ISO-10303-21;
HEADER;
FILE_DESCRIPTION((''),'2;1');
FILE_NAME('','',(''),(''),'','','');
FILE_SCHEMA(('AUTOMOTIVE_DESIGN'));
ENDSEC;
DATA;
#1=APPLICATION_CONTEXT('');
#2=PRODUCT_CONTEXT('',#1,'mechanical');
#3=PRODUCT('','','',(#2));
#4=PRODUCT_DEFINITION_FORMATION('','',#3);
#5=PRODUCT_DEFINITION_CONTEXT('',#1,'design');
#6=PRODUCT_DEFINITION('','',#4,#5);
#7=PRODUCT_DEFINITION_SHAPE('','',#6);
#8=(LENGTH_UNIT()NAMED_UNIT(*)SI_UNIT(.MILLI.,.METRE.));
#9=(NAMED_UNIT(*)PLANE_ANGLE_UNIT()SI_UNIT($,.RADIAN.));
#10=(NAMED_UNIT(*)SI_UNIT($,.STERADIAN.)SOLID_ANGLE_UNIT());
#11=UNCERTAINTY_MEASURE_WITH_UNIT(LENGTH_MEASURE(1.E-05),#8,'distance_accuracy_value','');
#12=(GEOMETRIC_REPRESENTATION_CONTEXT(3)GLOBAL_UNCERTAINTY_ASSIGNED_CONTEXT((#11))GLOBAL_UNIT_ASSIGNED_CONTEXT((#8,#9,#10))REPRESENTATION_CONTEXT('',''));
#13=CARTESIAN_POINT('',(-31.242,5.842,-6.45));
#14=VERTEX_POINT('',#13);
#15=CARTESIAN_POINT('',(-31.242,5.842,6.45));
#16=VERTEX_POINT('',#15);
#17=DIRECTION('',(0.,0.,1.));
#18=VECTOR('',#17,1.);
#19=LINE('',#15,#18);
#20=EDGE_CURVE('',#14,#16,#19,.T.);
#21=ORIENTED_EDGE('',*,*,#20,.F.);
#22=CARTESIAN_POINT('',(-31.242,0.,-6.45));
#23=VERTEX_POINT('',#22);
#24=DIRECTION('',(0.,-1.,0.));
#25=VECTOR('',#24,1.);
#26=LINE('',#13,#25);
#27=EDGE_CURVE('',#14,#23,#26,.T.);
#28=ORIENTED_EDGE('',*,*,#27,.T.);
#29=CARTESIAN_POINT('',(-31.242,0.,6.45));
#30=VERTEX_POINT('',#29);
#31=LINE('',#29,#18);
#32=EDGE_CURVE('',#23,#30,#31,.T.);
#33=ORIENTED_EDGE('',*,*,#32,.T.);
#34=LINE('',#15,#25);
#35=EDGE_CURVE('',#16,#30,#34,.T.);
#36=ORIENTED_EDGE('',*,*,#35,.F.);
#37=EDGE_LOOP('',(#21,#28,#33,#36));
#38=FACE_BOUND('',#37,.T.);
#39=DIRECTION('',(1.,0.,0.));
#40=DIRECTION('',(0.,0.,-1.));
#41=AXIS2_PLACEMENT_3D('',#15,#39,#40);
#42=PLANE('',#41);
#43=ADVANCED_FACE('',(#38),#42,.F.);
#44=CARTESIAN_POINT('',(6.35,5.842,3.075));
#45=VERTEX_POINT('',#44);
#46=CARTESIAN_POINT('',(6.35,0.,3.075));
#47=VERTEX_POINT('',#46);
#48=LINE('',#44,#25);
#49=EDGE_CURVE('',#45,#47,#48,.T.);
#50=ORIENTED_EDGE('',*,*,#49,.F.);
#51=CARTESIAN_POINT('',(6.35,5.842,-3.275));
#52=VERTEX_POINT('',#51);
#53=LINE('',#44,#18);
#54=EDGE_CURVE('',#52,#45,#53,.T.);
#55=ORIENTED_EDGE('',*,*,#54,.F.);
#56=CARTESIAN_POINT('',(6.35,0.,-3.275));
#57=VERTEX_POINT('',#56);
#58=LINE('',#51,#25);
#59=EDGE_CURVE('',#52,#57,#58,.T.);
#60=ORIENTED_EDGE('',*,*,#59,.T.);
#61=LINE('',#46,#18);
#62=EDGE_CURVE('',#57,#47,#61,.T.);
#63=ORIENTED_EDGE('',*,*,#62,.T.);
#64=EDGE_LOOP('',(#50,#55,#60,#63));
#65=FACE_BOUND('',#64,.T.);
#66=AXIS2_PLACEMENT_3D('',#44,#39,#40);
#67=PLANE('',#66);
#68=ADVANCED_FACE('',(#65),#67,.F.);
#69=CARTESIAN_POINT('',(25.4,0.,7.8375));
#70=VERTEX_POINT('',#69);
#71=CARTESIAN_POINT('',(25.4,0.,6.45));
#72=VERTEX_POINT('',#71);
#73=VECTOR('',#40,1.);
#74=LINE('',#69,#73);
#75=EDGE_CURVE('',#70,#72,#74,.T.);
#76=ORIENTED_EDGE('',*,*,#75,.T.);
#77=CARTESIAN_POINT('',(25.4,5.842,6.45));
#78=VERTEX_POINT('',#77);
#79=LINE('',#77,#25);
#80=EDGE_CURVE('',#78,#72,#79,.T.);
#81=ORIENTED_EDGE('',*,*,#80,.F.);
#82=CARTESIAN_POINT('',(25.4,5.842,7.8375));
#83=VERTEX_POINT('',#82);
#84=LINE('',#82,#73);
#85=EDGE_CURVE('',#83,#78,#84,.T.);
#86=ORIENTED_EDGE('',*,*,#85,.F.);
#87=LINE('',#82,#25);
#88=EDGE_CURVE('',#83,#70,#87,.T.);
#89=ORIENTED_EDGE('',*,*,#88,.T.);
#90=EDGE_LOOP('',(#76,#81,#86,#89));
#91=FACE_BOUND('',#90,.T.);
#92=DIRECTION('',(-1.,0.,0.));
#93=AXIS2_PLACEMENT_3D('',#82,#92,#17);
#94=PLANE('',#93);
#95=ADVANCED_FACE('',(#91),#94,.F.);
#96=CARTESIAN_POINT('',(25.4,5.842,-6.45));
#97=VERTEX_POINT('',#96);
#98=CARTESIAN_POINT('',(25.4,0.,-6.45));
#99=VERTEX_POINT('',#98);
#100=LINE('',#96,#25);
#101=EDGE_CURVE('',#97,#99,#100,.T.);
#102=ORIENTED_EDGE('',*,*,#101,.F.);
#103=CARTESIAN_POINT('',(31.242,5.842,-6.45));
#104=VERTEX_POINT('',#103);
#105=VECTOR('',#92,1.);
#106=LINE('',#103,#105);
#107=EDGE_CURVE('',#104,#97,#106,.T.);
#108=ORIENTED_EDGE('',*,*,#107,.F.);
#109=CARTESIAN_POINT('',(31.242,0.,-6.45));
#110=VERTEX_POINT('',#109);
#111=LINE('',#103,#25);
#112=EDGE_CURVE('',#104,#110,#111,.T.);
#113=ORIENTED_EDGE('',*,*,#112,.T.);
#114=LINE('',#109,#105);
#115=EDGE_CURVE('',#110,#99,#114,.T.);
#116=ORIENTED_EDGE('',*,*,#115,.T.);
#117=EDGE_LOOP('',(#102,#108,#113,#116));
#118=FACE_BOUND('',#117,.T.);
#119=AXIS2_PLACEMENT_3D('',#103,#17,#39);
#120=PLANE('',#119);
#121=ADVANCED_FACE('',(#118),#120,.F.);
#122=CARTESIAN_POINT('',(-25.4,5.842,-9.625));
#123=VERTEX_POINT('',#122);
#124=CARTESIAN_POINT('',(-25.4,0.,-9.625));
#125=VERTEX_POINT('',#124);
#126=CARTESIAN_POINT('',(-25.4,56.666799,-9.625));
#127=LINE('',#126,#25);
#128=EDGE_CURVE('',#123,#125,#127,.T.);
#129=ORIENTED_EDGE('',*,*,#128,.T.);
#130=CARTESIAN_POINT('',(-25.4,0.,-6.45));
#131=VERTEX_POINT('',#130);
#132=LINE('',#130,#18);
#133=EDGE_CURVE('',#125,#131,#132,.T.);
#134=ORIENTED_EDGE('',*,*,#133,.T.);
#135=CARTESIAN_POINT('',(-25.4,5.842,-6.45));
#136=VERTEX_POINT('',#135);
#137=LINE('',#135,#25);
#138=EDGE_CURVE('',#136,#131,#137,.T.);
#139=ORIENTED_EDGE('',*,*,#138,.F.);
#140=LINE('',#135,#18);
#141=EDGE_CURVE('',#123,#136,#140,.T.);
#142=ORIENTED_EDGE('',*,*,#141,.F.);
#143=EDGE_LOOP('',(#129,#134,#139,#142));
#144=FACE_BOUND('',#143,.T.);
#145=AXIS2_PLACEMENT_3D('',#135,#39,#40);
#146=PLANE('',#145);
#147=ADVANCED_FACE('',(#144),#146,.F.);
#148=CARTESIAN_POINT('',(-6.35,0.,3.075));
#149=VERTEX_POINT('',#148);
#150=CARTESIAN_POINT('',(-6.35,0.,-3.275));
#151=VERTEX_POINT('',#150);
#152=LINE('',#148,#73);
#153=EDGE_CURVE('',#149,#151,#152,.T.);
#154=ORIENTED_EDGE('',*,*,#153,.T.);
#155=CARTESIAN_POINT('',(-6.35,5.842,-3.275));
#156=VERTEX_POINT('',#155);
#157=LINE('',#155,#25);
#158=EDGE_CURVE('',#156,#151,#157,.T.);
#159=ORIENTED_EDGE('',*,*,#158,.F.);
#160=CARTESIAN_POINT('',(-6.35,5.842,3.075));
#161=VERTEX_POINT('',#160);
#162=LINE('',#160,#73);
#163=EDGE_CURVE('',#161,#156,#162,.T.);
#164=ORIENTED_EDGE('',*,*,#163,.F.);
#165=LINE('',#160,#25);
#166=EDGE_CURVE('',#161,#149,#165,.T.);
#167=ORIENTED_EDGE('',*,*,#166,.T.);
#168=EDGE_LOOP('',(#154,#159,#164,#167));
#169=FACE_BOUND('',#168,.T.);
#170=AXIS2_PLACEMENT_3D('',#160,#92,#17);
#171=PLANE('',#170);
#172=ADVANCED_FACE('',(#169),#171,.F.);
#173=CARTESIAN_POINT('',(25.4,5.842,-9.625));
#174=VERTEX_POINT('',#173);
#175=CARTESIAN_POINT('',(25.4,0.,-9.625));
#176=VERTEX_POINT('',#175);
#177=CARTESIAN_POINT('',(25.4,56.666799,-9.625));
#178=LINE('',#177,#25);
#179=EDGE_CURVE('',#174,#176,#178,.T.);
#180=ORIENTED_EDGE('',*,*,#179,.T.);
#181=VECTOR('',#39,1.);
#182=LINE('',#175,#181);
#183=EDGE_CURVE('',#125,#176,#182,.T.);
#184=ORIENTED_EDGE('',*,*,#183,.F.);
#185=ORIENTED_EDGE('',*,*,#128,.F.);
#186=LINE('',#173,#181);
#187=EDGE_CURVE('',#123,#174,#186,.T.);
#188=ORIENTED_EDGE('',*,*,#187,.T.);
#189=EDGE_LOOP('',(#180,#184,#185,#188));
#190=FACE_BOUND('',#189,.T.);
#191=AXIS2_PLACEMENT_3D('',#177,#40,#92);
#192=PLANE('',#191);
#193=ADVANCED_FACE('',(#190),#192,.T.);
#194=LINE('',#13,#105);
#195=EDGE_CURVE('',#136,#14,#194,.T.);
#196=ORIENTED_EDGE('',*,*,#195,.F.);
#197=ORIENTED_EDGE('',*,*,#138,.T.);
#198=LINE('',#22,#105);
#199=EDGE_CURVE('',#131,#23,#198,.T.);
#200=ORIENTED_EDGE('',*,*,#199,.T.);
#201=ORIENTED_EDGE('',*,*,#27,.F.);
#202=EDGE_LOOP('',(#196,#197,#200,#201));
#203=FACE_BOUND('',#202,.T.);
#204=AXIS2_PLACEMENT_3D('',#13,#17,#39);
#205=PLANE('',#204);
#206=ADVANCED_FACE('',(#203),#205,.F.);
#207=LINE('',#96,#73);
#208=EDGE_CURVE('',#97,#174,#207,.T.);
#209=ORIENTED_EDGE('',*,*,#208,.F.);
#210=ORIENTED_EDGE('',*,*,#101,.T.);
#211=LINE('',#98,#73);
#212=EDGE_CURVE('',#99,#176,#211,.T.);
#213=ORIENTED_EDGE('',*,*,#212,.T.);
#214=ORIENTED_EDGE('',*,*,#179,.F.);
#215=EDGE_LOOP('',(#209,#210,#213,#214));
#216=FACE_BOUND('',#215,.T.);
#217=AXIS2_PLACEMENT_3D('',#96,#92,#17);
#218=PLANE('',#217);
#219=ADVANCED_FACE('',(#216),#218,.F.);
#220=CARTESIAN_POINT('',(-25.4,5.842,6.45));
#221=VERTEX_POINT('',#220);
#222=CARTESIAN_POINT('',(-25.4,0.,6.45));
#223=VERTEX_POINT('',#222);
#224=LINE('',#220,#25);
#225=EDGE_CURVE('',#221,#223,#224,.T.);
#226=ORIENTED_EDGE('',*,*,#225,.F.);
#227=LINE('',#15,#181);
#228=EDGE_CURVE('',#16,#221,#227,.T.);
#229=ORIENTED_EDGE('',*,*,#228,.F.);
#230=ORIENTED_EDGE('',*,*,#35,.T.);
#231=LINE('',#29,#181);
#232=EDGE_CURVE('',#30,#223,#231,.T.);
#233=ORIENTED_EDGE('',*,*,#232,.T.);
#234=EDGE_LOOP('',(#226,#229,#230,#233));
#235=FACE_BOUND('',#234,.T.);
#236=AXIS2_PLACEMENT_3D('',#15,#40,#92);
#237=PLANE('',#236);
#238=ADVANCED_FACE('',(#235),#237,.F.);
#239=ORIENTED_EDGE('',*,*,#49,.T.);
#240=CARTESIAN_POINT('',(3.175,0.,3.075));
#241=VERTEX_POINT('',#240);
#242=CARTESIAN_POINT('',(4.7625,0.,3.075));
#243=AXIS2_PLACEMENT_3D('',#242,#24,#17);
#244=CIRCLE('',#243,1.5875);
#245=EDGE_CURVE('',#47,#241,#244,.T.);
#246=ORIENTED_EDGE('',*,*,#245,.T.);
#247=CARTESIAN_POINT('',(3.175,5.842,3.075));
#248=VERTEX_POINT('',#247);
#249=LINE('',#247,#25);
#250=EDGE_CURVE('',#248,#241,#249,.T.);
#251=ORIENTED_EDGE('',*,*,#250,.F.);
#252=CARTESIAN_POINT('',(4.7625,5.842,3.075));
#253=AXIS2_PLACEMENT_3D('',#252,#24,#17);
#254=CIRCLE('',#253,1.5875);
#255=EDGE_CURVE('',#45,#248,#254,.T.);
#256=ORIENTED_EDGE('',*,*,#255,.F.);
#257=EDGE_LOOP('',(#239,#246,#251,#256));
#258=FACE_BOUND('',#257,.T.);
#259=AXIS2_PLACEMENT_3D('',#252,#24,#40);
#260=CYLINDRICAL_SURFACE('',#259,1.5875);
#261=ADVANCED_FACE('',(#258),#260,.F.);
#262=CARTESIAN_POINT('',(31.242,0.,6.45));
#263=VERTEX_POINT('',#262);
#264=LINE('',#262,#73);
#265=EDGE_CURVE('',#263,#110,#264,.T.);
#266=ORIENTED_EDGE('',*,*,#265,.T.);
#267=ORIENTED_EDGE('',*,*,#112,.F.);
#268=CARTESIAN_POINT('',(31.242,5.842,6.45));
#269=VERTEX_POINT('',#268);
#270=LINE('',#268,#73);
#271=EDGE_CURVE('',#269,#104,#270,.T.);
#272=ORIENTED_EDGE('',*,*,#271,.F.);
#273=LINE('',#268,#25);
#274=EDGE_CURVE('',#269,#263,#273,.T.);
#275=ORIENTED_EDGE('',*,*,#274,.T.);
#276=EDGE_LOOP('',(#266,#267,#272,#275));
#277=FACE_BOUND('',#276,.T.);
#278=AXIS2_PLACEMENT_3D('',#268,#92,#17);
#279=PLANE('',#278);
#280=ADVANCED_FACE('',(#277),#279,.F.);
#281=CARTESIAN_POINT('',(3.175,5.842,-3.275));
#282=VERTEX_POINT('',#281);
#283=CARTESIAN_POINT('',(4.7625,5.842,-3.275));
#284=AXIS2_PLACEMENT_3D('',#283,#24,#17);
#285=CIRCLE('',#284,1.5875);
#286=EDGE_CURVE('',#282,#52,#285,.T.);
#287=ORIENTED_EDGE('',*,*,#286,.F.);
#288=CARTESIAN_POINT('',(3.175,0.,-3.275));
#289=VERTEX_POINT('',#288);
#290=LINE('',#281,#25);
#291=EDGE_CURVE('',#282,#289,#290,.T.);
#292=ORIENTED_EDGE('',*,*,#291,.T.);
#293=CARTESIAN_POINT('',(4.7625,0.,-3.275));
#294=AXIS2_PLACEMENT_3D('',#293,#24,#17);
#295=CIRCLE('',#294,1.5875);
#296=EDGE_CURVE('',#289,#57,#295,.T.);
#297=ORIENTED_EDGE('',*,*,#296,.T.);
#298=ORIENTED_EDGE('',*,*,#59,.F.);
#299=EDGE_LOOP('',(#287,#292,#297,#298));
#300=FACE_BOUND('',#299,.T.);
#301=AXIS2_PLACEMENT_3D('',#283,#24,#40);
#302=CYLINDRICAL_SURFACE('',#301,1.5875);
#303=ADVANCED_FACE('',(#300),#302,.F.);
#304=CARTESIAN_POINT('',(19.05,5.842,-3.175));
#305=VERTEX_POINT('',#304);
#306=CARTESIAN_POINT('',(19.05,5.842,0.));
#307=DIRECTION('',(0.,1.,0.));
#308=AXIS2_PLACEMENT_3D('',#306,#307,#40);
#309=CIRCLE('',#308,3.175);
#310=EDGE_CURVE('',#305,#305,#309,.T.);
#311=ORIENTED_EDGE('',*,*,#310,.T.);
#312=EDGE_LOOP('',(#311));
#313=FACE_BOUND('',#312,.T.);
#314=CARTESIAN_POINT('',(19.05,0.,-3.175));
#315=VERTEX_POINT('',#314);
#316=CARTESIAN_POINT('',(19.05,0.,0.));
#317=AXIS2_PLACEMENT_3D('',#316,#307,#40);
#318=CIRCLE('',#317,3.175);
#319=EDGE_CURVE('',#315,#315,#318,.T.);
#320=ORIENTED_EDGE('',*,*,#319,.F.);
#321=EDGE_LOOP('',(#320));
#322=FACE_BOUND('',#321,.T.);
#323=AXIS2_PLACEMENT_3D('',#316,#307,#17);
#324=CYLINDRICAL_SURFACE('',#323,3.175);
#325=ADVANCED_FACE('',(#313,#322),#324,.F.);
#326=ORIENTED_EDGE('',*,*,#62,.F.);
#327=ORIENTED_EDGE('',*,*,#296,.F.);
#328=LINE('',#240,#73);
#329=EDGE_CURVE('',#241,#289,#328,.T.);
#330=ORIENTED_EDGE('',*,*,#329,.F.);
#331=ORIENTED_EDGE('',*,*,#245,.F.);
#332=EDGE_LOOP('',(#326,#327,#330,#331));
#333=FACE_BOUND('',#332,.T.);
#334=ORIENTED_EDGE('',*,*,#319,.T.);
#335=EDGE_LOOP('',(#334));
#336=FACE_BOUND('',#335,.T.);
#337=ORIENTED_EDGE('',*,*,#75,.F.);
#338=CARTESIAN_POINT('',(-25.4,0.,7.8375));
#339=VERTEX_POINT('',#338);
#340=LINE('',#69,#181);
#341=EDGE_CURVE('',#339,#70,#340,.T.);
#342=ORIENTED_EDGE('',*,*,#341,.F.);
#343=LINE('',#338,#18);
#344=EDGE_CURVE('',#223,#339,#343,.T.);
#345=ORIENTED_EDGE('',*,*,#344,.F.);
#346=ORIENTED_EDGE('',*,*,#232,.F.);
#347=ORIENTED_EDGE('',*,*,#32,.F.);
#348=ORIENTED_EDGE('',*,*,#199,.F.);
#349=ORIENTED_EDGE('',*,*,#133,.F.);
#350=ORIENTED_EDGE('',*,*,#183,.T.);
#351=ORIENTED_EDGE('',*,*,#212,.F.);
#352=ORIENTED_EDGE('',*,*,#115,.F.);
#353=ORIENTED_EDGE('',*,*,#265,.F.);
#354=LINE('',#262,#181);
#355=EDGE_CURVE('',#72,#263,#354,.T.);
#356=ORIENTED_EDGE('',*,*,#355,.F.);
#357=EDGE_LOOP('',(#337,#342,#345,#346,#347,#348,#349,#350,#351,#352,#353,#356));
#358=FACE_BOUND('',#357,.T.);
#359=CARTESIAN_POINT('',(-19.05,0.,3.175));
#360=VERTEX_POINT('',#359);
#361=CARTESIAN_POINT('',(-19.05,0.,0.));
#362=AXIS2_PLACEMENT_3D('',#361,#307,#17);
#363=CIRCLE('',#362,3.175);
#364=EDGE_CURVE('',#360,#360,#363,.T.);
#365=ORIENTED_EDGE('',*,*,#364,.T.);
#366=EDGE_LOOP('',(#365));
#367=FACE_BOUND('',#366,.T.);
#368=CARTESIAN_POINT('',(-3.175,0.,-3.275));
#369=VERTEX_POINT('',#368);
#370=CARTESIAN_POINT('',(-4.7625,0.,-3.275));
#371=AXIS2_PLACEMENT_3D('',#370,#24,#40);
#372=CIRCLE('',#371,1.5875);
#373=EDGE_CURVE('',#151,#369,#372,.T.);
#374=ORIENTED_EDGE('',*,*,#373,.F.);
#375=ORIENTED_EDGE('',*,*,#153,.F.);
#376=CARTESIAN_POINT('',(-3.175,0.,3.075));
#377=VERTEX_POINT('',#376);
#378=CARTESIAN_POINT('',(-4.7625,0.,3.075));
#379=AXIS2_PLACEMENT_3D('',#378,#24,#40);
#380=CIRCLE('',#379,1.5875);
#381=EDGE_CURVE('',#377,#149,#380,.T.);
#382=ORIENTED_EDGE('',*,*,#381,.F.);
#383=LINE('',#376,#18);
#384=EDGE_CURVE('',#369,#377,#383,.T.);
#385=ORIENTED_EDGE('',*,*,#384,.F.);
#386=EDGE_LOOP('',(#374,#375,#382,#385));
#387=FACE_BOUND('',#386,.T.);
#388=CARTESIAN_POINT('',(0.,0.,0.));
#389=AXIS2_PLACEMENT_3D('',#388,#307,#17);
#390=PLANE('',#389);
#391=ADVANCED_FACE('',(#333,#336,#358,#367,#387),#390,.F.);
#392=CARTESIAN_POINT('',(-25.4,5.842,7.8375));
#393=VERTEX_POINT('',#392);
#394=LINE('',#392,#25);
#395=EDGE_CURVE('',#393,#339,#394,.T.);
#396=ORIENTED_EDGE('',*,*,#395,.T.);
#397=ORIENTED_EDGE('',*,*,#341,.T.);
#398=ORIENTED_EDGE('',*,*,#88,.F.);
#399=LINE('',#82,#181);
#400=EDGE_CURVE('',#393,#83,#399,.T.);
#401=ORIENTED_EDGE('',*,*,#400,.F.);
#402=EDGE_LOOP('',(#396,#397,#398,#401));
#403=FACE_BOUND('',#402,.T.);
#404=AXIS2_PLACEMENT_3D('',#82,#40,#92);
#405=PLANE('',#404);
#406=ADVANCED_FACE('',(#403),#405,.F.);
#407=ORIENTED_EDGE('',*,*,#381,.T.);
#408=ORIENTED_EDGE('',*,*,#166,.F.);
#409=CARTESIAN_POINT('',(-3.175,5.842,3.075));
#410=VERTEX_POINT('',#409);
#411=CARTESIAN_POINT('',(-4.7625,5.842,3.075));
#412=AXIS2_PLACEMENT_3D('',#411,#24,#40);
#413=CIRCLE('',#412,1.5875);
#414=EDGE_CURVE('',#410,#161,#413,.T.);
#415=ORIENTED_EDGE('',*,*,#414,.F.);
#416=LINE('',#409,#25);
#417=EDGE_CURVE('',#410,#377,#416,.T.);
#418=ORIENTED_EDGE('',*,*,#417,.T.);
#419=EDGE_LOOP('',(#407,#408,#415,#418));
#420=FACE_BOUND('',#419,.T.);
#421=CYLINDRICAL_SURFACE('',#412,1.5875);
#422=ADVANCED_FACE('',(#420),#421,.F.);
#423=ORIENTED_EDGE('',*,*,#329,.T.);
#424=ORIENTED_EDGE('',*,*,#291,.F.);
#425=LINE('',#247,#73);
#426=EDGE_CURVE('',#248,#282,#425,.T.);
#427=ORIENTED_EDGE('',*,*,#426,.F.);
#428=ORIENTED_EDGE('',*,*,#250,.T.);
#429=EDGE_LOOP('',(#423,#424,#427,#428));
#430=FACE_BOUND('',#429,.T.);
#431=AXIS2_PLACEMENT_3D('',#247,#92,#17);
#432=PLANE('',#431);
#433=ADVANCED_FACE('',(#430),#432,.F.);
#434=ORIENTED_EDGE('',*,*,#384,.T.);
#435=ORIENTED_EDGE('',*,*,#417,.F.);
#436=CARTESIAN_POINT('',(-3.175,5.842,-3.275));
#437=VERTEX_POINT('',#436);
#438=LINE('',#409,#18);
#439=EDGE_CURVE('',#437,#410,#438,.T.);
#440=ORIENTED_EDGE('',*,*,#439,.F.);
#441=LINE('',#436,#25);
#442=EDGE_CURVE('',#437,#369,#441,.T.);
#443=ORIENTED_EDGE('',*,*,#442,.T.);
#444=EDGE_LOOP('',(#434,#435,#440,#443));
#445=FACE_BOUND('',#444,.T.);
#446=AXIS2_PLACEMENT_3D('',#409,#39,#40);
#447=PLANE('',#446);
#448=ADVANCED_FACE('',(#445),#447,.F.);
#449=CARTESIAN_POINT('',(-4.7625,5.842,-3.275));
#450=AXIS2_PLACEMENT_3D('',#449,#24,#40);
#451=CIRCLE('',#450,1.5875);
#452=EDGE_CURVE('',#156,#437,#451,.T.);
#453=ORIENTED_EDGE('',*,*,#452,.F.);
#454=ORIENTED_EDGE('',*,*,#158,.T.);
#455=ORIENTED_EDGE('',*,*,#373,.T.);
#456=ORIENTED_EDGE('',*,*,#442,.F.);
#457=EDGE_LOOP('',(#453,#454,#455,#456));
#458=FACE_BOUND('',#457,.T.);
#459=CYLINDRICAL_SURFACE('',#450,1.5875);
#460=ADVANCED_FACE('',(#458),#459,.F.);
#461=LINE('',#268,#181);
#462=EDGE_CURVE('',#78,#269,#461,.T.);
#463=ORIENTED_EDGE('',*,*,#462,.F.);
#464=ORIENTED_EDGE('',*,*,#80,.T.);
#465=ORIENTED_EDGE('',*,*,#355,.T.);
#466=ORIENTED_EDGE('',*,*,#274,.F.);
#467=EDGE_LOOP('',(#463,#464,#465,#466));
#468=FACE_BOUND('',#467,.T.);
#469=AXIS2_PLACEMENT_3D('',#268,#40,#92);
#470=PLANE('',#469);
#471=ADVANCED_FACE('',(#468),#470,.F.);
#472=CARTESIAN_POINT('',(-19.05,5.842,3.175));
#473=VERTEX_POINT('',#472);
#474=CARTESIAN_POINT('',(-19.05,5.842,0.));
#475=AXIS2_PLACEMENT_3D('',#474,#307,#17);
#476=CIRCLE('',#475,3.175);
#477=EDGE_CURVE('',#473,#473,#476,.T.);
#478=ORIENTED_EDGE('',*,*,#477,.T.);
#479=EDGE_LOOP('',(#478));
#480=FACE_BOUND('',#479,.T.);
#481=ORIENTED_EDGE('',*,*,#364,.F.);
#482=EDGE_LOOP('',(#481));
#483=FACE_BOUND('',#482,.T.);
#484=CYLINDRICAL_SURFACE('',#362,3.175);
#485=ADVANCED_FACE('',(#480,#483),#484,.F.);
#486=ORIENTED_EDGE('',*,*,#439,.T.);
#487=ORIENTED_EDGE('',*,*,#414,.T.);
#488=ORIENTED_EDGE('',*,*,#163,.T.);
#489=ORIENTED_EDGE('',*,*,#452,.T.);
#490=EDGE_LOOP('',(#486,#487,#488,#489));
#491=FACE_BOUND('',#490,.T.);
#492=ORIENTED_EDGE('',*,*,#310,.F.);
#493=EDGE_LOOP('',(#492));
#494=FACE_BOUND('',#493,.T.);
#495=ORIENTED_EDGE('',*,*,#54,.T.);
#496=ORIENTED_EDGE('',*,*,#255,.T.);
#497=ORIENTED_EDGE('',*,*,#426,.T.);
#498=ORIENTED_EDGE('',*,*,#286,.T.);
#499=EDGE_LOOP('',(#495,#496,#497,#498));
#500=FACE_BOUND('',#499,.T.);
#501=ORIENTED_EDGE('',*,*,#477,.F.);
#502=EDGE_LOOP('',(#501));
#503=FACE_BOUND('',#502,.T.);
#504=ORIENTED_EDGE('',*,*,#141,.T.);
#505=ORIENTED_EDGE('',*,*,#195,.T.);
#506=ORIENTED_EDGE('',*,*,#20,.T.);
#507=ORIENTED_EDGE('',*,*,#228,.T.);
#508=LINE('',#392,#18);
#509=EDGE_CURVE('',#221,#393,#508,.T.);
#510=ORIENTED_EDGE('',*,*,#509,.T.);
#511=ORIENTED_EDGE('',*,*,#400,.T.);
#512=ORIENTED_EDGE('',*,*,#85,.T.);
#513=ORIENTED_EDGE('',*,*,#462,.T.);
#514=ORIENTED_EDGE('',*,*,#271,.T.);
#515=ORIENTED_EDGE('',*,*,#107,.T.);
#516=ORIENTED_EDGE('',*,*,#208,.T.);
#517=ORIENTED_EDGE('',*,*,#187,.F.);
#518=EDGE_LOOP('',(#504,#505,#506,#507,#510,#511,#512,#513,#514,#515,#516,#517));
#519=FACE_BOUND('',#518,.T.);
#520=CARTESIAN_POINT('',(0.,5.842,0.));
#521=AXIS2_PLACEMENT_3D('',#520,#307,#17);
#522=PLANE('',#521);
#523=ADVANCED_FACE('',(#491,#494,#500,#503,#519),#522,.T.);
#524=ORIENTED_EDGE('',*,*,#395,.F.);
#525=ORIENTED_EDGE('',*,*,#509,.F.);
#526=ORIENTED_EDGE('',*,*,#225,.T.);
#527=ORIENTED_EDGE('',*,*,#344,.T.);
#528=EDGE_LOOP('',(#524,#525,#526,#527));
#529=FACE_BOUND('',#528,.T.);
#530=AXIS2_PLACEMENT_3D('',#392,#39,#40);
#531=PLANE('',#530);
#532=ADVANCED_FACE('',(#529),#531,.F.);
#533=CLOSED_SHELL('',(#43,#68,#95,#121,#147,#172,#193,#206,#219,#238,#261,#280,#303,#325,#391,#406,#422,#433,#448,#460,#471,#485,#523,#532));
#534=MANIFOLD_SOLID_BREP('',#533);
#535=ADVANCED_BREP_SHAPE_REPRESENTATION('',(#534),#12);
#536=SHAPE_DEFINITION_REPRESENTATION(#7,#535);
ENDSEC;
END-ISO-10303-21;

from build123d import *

# Parameters (mm, degrees)
BOSS_EXTRUDE1_DEPTH = 5.842
SKETCH2_R           = 3.175
CUT_EXTRUDE1_DEPTH  = 33.78403476
CUT_EXTRUDE3_DEPTH  = 33.78403476
SKETCH5_W           = 50.8
SKETCH5_H           = 1.5875
BOSS_EXTRUDE2_DEPTH = 5.842


with BuildPart() as part:
    # Sketch1 → Boss-Extrude1 (new body)
    with BuildSketch(Plane(origin=(0, 0, 0), x_dir=(1, 0, 0), z_dir=(0, 1, 0))):
        Polygon((31.242, -6.450000054), (25.4, -6.450000054), (25.4, -7.837499946), (-25.4, -7.837499946), (-25.4, -6.450000054), (-31.242, -6.450000054), (-31.242, 6.450000054), (-25.4, 6.450000054), (-25.4, 8.037500054), (25.4, 8.037500054), (25.4, 6.450000054), (31.242, 6.450000054), align=None)
    extrude(amount=BOSS_EXTRUDE1_DEPTH)

    # Sketch2 → Cut-Extrude1 (cut, through all)
    with BuildSketch(Plane(origin=(0, 5.842, 0), x_dir=(1, 0, 0), z_dir=(0, 1, 0))):
        with Locations(Location((-19.05, 0, 0), (0, 0, 270))):
            Circle(SKETCH2_R)
        with Locations(Location((19.05, 0, 0), (0, 0, 90))):
            Circle(SKETCH2_R)
    extrude(amount=-CUT_EXTRUDE1_DEPTH, mode=Mode.SUBTRACT)

    # Sketch4 → Cut-Extrude3 (cut, through all)
    with BuildSketch(Plane(origin=(0, 0, 0), x_dir=(-1, 0, 0), z_dir=(0, -1, 0))):
        with BuildLine():
            Line((3.175, -3.074999946), (3.175, 3.275000054))
            ThreePointArc((3.175, 3.275000054), (4.7625, 4.862500054), (6.35, 3.275000054))
            Line((6.35, 3.275000054), (6.35, -3.074999946))
            ThreePointArc((6.35, -3.074999946), (4.7625, -4.662499946), (3.175, -3.074999946))
        make_face()
        with BuildLine():
            Line((-3.175, -3.074999946), (-3.175, 3.275000054))
            ThreePointArc((-3.175, 3.275000054), (-4.7625, 4.862500054), (-6.35, 3.275000054))
            Line((-6.35, 3.275000054), (-6.35, -3.074999946))
            ThreePointArc((-6.35, -3.074999946), (-4.7625, -4.662499946), (-3.175, -3.074999946))
        make_face()
    extrude(amount=-CUT_EXTRUDE3_DEPTH, mode=Mode.SUBTRACT)

    # Sketch5 → Boss-Extrude2 (add)
    with BuildSketch(Plane(origin=(0, 0, 0), x_dir=(-1, 0, 0), z_dir=(0, -1, 0))):
        with Locations((0, 8.831250054)):
            Rectangle(SKETCH5_W, SKETCH5_H)
    extrude(amount=-BOSS_EXTRUDE2_DEPTH)


solid = part.part
